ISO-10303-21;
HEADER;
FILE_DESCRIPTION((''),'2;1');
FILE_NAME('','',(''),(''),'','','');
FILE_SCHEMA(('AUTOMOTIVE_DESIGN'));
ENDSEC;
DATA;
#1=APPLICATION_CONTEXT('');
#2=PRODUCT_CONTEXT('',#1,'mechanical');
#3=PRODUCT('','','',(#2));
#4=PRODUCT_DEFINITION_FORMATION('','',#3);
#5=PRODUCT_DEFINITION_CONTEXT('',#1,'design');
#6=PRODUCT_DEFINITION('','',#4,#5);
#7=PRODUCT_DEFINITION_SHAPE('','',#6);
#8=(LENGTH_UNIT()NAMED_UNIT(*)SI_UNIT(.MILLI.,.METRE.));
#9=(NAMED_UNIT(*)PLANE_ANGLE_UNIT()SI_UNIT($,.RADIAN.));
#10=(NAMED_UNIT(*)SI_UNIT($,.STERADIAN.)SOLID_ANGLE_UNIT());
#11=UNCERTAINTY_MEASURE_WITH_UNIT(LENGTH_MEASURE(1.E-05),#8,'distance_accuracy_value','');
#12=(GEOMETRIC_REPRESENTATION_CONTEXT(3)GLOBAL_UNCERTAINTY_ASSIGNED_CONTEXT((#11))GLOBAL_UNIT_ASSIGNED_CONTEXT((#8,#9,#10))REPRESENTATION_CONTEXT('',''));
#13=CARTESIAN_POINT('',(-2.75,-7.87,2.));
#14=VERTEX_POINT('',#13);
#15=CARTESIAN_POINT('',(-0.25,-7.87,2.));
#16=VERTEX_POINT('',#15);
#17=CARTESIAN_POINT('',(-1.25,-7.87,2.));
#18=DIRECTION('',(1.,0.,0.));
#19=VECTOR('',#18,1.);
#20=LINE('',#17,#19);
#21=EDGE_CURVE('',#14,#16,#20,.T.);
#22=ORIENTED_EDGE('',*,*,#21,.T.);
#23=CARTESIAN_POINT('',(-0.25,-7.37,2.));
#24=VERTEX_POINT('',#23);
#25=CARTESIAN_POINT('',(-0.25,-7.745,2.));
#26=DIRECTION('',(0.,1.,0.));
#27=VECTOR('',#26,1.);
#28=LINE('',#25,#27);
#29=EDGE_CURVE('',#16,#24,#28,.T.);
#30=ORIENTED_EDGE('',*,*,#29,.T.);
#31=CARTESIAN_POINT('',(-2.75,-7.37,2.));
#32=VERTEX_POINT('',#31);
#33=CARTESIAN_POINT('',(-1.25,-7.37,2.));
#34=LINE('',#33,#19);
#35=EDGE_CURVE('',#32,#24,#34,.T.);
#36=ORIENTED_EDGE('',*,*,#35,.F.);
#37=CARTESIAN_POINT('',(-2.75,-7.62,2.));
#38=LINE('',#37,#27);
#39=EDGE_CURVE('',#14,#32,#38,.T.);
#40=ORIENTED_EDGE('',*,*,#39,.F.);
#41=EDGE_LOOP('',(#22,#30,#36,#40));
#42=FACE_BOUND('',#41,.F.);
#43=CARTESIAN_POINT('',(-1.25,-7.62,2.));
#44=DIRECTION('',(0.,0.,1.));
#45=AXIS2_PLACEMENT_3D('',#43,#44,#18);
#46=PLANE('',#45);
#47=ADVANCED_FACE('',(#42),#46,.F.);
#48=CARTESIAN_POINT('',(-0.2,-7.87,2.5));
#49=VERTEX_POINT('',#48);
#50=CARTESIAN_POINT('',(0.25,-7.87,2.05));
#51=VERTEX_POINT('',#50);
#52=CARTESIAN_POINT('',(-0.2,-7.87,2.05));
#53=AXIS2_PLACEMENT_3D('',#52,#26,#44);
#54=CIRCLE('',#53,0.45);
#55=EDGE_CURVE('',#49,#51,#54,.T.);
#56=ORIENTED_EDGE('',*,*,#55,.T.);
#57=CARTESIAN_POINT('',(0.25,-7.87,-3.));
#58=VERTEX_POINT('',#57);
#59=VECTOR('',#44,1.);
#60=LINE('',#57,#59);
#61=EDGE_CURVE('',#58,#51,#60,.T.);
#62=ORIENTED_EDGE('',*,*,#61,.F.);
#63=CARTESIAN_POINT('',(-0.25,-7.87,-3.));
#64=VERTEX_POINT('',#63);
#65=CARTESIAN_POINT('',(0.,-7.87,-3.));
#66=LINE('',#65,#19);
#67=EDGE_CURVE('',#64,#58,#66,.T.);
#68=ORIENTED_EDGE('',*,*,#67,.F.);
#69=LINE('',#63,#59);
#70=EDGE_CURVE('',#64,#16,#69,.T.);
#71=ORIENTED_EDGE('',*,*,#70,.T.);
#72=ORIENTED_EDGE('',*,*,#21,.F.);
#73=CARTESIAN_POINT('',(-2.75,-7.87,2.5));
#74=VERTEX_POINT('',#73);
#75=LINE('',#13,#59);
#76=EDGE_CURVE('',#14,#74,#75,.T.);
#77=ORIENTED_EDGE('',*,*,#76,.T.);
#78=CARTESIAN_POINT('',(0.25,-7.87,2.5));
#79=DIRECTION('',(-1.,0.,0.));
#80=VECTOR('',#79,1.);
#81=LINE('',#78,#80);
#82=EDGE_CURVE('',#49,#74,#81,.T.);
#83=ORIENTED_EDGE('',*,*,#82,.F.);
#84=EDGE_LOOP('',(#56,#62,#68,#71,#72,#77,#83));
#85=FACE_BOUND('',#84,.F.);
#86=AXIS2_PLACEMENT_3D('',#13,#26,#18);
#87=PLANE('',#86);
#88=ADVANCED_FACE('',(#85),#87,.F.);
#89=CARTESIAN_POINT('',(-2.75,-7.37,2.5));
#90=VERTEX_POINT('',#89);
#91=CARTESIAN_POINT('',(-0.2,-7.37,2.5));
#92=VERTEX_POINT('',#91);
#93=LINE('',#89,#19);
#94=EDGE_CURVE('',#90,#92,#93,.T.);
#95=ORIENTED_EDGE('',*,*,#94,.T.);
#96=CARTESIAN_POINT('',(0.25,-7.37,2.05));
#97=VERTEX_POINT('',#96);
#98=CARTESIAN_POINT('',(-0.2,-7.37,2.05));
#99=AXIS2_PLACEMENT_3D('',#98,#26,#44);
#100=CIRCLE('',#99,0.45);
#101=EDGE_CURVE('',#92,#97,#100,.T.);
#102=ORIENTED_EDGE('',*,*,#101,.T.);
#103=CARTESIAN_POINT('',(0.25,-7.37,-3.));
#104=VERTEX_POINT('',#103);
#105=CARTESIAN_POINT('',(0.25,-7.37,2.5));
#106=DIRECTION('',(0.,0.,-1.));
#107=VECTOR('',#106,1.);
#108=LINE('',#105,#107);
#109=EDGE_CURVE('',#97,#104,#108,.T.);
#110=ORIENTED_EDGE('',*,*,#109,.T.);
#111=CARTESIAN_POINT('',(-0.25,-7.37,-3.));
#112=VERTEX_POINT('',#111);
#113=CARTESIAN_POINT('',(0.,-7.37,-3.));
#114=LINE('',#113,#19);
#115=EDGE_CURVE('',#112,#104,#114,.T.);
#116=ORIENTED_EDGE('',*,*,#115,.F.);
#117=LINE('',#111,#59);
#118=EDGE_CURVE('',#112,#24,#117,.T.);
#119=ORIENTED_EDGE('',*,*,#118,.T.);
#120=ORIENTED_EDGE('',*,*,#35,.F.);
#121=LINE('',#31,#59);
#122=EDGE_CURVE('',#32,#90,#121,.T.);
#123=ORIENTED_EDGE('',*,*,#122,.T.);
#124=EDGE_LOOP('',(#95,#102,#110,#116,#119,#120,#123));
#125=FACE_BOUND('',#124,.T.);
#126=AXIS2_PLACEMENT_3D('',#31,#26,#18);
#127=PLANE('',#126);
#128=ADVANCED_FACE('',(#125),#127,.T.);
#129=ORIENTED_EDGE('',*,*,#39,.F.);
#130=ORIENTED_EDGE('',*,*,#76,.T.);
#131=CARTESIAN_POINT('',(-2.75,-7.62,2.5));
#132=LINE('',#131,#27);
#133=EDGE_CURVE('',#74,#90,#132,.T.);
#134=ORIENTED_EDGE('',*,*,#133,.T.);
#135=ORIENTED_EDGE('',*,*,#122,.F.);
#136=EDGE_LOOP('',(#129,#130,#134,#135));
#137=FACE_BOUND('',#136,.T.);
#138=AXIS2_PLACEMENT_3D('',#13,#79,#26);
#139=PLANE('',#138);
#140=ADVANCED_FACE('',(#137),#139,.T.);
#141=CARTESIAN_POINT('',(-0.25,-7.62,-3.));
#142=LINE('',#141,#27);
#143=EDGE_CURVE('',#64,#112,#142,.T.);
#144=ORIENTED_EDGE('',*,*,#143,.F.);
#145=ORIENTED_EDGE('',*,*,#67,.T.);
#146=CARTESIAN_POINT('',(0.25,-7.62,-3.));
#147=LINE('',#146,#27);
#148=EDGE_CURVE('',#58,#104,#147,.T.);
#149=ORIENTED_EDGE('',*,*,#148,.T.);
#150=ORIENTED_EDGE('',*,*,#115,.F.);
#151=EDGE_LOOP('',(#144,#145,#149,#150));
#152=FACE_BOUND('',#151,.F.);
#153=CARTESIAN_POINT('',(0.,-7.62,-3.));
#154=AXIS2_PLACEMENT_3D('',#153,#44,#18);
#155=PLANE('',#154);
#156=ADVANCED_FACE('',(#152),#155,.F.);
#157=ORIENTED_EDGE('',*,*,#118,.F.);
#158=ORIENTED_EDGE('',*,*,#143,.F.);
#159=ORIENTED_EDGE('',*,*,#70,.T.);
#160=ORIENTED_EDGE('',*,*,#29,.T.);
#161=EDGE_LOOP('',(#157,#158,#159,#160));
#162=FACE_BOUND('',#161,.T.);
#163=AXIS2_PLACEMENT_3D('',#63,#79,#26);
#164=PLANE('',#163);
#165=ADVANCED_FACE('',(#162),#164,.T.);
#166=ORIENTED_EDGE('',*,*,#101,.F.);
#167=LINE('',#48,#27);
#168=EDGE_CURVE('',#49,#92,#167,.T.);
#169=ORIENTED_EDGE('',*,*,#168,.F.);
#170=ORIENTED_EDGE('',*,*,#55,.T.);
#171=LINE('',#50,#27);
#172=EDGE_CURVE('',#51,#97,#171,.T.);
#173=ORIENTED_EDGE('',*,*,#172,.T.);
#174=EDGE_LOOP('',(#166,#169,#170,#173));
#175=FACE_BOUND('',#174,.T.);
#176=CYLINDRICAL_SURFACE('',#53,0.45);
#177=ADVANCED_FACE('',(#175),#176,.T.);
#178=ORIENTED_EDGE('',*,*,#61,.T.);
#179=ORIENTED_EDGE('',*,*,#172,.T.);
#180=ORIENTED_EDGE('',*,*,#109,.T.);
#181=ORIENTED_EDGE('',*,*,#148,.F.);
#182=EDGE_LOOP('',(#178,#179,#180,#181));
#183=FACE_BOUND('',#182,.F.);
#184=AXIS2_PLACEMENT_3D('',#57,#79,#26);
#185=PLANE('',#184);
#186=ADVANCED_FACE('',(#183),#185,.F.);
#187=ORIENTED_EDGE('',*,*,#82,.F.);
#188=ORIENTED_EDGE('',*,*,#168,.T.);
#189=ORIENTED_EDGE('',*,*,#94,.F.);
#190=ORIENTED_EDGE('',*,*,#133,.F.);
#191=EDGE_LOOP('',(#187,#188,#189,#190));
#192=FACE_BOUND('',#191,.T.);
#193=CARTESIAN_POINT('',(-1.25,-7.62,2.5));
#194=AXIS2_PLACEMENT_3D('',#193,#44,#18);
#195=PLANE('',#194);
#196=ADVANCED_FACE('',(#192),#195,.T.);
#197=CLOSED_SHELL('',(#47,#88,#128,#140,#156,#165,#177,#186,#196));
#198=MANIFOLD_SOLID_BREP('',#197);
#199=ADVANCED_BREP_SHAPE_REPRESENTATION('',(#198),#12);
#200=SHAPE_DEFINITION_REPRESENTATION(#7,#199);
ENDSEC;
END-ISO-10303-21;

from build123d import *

# Parameters (mm, degrees)
BOX020_W     = 3
BOX020_H     = 0.5
BOX020_DEPTH = 0.5
BOX013_W     = 0.5
BOX013_H     = 0.5
BOX013_DEPTH = 5.5
FILLET009_R  = 0.45


with BuildPart() as kub020:
    # Box020 → Box020 (new body)
    with BuildSketch(Plane(origin=(-2.75, -7.87, 2), x_dir=(1, 0, 0), z_dir=(0, 0, 1))):
        with Locations((1.5, 0.25)):
            Rectangle(BOX020_W, BOX020_H)
    extrude(amount=BOX020_DEPTH)


with BuildPart() as fillet009:
    # Box013 → Box013 (new body)
    with BuildSketch(Plane(origin=(-0.25, -7.87, -3), x_dir=(1, 0, 0), z_dir=(0, 0, 1))):
        with Locations((0.25, 0.25)):
            Rectangle(BOX013_W, BOX013_H)
    extrude(amount=BOX013_DEPTH)

    # Fusion003: union Kub020
    add(kub020.part)

    # Fillet009
    fillet009_edges = [fillet009.edges().sort_by_distance(p)[0] for p in [
        (0.25, -7.62, 2.5),
    ]]
    fillet(fillet009_edges, radius=FILLET009_R)


solid = fillet009.part
